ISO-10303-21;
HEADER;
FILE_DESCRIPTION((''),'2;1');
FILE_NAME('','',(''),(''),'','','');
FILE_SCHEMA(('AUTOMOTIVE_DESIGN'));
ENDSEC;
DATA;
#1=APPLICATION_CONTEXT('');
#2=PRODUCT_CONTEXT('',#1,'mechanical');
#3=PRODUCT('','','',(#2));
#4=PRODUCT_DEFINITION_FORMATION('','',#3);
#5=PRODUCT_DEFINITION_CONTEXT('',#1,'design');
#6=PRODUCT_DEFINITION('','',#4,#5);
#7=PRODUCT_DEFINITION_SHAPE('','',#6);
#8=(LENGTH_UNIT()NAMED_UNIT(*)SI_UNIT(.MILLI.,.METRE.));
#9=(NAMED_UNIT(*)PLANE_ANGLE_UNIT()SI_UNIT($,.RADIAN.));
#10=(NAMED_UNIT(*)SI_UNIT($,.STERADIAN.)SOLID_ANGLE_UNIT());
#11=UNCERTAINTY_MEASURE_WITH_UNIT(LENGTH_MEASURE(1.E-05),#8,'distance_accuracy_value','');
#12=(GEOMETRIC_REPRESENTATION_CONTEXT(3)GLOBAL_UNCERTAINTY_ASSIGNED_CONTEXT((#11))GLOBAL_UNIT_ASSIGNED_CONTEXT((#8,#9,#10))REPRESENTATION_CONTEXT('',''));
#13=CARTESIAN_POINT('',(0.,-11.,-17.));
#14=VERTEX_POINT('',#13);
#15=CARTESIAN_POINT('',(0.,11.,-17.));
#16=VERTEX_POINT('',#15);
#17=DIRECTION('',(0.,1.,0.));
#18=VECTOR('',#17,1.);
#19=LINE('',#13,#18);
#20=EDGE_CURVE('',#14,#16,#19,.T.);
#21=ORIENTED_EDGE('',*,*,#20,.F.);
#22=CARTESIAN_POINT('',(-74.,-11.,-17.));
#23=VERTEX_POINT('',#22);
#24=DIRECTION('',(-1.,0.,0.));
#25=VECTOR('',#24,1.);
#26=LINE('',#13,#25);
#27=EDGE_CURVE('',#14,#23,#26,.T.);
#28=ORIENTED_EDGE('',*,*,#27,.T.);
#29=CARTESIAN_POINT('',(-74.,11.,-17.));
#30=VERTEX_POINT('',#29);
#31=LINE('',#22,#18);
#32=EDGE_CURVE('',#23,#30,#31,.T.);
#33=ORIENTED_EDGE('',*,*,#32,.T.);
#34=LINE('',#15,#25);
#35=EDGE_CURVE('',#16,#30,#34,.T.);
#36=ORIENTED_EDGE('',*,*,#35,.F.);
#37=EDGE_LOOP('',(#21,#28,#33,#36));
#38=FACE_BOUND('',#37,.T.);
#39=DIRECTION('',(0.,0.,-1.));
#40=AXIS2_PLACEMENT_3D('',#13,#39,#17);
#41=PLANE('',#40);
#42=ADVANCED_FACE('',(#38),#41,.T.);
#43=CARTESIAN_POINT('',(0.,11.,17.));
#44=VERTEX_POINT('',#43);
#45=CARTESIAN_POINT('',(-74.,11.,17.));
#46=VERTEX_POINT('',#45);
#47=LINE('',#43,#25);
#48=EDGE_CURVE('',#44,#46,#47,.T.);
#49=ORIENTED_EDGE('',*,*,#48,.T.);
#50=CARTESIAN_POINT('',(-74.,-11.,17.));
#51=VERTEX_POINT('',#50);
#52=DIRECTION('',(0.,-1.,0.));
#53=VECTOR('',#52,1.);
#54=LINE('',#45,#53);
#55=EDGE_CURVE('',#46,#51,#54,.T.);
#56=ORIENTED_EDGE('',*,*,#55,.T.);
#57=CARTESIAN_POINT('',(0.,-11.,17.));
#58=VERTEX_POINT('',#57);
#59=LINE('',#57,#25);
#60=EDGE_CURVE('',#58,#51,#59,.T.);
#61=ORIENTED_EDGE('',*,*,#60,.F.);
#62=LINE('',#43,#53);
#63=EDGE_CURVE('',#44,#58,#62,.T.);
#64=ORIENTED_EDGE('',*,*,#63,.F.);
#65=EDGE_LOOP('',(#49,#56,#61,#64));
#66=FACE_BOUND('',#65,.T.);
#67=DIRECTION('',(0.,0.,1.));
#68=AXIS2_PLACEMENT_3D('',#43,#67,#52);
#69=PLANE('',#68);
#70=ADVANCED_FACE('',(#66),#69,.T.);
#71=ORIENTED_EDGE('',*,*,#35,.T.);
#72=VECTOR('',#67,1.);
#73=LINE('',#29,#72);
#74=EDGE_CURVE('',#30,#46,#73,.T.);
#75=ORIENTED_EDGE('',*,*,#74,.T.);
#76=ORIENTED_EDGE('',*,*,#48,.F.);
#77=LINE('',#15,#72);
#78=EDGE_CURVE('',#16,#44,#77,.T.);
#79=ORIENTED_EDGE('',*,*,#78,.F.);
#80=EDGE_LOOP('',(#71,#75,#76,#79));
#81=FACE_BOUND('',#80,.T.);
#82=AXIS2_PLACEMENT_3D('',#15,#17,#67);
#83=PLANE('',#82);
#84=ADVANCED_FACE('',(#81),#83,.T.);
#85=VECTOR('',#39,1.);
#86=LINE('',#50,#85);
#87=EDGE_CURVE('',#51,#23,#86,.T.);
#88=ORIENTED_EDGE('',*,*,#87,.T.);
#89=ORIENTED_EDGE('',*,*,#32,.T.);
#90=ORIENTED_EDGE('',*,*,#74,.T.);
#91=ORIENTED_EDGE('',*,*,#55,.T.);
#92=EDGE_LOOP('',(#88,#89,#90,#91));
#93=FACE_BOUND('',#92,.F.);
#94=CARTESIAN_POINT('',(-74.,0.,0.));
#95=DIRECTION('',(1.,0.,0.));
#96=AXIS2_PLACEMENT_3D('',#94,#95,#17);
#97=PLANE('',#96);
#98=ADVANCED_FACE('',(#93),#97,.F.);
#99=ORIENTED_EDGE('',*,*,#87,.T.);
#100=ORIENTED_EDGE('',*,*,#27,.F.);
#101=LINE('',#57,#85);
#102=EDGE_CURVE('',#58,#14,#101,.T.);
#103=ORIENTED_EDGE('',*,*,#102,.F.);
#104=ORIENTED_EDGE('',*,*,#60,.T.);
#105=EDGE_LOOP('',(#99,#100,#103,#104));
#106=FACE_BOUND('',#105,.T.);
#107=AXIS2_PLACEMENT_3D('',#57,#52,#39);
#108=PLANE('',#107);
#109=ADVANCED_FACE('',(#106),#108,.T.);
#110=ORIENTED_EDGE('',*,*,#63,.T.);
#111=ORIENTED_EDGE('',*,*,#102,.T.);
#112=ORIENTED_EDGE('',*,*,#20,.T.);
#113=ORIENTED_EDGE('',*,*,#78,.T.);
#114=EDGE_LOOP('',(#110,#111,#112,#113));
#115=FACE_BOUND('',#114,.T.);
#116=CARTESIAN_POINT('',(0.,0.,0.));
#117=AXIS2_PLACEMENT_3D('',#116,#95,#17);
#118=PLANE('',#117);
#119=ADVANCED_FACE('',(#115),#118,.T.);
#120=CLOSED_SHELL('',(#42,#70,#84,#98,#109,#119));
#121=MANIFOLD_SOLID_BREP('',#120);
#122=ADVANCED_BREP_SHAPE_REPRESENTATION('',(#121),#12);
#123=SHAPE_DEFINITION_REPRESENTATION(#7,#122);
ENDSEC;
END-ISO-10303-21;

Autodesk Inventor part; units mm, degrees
ref_plane "YZ Plane" through (0, 0, 0) normal (1, 0, 0) x (0, 1, 0)
ref_plane "XZ Plane" through (0, 0, 0) normal (0, 1, 0) x (-1, 0, 0)
ref_plane "XY Plane" through (0, 0, 0) normal (0, 0, 1) x (1, 0, 0)
sketch "Эскиз1" plane through (0, 0, 0) normal (1, 0, 0) x (0, 1, 0)
  line L0 (11, 17) -> (-11, 17)
  line L1 (-11, 17) -> (-11, -17)
  line L2 (-11, -17) -> (11, -17)
  line L3 (11, -17) -> (11, 17)
  line L4 (11, 17) -> (-11, -17) construction
  point P0 (0, 0)
  point P1 (0, 0)
  point P2 (11, 5.6667)
  point P3 (11, -5.6667)
  dimension "d0" = 22
  dimension "d1" = 34
  dimension "d4" = 11.3333
  dimension "d5" = 11.3333
extrude "Выдавливание1" add sketch "Эскиз1" against normal blind 74
equation "\"d4\" = 0.333333 * d1"
equation "\"d5\" = d4"
properties part number "1550"
